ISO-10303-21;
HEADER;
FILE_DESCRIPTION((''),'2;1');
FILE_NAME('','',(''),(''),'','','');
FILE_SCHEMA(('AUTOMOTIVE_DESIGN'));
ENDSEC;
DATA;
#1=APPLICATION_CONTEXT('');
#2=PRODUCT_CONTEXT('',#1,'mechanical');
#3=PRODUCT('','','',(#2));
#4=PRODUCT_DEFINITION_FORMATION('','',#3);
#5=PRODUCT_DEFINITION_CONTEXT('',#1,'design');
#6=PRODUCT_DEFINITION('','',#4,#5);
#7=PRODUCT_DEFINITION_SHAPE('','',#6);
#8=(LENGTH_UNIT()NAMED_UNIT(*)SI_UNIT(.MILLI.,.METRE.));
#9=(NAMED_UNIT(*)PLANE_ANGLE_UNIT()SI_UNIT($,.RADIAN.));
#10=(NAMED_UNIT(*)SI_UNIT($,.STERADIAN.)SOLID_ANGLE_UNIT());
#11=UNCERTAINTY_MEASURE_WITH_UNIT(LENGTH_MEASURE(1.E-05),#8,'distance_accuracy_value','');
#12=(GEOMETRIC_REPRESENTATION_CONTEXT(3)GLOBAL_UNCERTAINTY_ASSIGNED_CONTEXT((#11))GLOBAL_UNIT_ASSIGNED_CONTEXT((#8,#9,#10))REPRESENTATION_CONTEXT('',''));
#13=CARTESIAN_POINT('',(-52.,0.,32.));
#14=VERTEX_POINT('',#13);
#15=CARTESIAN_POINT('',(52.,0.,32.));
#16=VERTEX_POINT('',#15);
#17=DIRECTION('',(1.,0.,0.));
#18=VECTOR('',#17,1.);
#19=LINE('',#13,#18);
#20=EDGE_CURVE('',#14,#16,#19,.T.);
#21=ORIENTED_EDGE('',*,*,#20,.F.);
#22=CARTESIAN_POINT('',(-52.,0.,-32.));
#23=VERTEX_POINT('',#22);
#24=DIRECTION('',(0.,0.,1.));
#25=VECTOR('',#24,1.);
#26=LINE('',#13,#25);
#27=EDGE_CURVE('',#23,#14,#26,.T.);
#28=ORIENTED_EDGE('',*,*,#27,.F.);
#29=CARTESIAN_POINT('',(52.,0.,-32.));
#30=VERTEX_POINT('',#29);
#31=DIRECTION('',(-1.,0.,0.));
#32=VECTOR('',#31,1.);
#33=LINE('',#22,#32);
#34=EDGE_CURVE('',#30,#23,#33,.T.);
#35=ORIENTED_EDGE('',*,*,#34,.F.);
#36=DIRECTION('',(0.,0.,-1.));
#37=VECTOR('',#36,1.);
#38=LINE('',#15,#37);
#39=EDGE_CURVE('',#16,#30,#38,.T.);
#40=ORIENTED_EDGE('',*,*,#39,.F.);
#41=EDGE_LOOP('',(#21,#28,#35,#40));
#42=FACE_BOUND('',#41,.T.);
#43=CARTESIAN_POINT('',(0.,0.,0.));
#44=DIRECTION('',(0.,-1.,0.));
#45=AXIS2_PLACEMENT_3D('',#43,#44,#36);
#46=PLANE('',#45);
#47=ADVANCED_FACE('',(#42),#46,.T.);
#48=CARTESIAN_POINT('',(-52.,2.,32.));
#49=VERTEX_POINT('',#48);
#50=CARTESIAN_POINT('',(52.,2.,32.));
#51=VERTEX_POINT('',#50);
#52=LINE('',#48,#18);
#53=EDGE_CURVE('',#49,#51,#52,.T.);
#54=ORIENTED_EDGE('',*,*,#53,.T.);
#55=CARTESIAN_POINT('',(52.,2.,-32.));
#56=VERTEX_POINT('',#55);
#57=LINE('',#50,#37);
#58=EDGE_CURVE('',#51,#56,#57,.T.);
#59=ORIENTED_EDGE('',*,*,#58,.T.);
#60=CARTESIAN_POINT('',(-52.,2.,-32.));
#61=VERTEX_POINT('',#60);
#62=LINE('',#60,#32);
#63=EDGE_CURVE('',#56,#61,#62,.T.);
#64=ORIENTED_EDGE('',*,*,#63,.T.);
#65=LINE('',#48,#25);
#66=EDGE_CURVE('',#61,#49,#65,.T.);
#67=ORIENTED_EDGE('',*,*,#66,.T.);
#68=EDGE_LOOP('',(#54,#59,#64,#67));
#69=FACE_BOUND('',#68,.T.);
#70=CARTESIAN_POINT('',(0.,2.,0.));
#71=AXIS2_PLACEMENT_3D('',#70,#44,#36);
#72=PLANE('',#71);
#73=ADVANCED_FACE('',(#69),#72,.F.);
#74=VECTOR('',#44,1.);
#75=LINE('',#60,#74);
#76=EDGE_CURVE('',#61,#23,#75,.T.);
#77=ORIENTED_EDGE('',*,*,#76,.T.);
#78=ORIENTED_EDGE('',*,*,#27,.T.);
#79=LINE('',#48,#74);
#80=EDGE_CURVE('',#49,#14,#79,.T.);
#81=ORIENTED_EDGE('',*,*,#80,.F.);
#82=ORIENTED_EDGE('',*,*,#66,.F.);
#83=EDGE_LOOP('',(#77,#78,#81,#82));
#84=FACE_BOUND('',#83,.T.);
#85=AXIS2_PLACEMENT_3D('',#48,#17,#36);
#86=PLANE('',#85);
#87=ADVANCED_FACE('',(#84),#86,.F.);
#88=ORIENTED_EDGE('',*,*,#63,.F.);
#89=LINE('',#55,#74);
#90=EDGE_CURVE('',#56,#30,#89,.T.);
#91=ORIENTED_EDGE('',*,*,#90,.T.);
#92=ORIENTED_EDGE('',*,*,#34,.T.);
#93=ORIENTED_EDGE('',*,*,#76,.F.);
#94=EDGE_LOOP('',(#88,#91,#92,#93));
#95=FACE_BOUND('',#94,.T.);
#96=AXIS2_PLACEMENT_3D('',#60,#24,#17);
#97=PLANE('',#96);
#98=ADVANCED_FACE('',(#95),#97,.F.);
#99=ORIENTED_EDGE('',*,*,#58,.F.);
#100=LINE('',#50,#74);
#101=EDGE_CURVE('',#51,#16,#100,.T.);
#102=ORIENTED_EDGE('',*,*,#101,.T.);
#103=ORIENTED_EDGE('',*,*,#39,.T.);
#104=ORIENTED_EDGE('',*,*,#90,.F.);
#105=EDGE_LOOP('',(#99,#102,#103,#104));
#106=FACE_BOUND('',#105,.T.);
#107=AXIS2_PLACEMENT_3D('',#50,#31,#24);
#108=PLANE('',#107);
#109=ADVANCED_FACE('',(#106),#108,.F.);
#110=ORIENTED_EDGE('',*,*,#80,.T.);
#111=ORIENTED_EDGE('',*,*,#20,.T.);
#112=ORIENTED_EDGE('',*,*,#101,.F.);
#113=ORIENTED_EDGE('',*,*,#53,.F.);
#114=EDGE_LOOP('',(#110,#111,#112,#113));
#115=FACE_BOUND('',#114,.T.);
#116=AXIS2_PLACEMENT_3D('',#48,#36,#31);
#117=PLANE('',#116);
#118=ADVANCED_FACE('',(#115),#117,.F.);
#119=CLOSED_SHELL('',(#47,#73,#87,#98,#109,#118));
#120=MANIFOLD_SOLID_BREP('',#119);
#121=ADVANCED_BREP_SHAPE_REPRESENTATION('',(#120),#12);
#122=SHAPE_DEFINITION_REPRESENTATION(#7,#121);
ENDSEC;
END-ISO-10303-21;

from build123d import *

# Parameters (mm, degrees)
SKETCH_1_W      = 104
SKETCH_1_H      = 64
EXTRUDE_1_DEPTH = 2


with BuildPart() as part:
    # 草图1 → 凸台-拉伸1 (new body)
    with BuildSketch(Plane(origin=(0, 0, 0), x_dir=(1, 0, 0), z_dir=(0, 1, 0))):
        Rectangle(SKETCH_1_W, SKETCH_1_H)
    extrude(amount=EXTRUDE_1_DEPTH)


solid = part.part
